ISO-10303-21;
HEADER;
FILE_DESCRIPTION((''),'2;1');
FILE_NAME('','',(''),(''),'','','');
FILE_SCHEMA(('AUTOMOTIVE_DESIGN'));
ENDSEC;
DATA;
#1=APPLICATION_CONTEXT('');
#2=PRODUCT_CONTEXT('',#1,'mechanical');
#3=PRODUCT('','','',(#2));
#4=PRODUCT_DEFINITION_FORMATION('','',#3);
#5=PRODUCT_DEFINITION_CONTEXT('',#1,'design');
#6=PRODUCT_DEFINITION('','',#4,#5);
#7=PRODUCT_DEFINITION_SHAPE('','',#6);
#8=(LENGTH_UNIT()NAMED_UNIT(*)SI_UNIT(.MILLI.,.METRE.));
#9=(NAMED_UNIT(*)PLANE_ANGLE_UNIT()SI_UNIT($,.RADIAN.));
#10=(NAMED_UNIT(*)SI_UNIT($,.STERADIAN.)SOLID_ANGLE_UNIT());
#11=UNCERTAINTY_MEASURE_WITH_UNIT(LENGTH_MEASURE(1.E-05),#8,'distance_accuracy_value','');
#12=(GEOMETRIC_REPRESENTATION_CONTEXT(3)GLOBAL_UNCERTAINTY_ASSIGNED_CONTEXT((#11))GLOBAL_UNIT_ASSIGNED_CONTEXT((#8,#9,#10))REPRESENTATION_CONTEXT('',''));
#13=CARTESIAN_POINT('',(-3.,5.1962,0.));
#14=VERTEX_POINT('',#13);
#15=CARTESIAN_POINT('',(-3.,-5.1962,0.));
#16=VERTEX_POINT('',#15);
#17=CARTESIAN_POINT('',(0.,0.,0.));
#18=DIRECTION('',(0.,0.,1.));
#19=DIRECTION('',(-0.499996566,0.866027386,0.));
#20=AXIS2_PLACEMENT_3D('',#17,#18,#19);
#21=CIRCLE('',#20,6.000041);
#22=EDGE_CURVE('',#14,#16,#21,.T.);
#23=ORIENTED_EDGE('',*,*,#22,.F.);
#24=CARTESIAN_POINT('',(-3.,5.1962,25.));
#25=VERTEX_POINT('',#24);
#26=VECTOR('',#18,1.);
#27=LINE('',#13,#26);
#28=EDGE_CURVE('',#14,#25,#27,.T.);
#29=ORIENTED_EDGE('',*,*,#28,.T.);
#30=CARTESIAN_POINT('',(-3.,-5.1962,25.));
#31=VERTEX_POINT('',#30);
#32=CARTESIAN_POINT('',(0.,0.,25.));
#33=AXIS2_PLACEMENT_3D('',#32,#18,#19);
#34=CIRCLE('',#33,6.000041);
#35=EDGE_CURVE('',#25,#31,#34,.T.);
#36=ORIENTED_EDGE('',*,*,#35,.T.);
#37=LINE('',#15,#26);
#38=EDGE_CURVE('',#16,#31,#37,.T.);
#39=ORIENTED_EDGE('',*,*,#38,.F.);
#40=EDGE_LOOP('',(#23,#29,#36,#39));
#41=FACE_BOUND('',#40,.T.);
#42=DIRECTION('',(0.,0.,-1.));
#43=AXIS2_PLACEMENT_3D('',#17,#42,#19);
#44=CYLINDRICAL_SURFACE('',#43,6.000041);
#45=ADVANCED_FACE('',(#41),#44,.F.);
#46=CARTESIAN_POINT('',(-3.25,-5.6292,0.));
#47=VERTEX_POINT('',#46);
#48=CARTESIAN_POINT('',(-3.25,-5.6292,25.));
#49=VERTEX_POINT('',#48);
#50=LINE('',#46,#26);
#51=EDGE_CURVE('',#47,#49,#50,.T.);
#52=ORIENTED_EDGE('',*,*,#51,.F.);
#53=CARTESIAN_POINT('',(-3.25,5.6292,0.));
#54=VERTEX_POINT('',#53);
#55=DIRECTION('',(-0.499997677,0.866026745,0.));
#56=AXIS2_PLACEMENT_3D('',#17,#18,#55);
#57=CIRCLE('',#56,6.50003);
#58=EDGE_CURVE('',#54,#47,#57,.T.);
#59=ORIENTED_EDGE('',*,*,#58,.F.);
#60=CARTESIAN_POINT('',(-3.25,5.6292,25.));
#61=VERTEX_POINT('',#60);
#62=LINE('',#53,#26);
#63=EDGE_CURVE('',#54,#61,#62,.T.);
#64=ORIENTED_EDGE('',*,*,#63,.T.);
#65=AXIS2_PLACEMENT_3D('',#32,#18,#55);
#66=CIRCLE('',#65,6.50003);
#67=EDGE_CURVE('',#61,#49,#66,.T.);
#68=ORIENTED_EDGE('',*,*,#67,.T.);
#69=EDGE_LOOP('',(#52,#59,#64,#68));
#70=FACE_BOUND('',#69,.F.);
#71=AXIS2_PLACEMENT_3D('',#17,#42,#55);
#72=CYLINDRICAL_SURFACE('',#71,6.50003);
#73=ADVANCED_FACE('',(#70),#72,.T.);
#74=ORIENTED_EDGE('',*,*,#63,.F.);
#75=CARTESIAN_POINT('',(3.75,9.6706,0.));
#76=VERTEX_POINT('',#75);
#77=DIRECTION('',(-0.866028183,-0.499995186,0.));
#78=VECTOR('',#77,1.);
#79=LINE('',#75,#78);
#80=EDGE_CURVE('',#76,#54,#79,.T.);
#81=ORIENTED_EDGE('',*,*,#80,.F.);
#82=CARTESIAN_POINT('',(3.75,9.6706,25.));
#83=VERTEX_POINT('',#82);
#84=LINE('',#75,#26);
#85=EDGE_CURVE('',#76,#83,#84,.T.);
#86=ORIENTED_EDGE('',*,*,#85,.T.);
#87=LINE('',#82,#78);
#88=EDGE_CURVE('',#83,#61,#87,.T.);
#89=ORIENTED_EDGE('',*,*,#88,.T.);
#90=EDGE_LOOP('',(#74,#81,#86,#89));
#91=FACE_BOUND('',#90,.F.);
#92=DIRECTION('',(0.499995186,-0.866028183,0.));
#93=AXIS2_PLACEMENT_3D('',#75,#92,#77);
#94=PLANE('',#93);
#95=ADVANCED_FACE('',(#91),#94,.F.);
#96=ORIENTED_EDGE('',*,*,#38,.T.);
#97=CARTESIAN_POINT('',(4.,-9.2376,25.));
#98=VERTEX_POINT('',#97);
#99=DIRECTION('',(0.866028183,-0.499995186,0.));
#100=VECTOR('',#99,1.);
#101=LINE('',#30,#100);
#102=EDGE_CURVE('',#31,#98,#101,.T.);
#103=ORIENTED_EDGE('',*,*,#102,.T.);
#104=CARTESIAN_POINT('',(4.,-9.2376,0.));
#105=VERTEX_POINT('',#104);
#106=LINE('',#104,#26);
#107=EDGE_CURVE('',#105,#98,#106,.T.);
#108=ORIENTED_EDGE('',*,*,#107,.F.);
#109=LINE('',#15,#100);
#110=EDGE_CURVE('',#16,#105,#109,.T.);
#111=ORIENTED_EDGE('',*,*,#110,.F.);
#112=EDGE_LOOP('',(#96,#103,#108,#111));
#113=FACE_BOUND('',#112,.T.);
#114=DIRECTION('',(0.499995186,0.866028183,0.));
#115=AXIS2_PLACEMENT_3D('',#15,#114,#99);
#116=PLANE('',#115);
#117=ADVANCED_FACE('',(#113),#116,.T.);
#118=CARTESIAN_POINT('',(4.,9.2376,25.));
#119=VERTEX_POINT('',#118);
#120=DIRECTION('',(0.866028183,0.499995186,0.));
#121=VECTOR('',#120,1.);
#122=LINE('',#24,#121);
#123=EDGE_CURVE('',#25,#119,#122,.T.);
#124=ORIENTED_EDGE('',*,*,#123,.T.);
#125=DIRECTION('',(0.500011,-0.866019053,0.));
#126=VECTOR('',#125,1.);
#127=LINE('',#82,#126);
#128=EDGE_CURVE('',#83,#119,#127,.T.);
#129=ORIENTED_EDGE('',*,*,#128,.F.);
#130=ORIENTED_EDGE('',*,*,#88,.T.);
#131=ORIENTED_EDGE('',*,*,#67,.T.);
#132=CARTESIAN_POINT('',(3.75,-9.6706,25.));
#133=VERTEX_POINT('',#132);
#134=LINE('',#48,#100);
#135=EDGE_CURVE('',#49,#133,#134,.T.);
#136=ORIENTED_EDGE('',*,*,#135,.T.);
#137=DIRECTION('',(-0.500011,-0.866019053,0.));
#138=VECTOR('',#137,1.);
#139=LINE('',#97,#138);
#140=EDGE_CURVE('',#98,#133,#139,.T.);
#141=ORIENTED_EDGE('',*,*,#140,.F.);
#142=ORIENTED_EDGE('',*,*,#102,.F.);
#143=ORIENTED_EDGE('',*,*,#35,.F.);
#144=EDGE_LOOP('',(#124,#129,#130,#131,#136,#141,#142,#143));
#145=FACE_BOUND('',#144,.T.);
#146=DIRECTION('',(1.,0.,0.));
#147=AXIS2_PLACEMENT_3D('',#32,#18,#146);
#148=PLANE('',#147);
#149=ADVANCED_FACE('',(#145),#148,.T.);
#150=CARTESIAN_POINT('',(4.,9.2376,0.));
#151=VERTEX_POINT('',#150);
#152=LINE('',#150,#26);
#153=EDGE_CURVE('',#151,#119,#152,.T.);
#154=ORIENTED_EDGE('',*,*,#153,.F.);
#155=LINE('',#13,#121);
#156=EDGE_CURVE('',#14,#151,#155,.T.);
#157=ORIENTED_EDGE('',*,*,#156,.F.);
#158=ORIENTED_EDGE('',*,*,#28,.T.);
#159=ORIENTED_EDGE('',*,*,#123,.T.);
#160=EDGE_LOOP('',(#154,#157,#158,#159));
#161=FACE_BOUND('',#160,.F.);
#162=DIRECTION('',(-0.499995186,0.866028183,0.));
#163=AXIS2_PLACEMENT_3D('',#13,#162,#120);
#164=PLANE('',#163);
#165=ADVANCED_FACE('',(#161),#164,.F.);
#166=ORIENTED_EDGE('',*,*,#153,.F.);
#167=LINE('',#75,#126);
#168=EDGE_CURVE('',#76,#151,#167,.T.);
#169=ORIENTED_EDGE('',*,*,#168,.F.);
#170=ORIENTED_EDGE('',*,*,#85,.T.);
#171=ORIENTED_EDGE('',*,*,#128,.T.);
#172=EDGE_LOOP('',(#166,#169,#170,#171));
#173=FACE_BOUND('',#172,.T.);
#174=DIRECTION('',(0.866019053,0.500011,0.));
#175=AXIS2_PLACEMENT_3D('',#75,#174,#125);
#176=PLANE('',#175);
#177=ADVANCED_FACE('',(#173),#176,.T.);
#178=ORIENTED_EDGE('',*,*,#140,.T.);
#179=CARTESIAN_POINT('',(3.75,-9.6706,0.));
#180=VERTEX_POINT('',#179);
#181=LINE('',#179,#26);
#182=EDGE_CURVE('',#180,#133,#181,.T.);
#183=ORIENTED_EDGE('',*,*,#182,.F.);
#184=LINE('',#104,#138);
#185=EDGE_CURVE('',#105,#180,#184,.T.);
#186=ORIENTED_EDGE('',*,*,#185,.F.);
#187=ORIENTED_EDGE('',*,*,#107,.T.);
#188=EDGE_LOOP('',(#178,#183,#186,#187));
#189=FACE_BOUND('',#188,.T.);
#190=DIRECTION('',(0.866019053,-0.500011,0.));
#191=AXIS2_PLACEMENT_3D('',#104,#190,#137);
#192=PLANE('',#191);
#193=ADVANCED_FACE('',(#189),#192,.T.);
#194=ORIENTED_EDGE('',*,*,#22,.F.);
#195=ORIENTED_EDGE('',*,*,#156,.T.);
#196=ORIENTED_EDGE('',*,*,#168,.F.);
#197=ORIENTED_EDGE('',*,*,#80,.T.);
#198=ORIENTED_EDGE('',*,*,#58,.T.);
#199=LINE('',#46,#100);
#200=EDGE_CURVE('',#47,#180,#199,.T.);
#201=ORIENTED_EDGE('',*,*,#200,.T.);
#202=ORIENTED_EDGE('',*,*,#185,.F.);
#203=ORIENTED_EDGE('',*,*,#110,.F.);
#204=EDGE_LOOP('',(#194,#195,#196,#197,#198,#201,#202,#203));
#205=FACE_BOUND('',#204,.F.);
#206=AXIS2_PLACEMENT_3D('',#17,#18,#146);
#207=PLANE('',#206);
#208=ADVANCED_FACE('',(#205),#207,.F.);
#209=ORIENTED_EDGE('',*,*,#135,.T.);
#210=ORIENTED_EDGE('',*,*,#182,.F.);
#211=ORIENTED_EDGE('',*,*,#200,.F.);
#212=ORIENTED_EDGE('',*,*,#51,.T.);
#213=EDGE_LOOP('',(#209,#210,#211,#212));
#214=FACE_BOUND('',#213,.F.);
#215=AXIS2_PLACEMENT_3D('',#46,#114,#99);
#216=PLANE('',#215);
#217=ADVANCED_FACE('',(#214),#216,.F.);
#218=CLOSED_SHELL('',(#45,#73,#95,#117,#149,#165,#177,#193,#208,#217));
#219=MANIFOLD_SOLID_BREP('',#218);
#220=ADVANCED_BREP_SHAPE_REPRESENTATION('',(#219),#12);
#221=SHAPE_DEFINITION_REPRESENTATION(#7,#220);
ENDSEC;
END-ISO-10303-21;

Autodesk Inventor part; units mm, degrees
ref_plane "YZ Plane" through (0, 0, 0) normal (1, 0, 0) x (0, 1, 0)
ref_plane "XZ Plane" through (0, 0, 0) normal (0, 1, 0) x (-1, 0, 0)
ref_plane "XY Plane" through (0, 0, 0) normal (0, 0, 1) x (1, 0, 0)
sketch "Sketch1" plane through (0, 0, 0) normal (0, 0, 1) x (1, 0, 0)
  arc A0 (-3, 5.1962) -> (-3, -5.1962) centre (0, 0) ccw
  line L0 (-3, 5.1962) -> (4, 9.2376)
  line L1 (-3, -5.1962) -> (4, -9.2376)
  line L2 (0, 0) -> (4, 0)
  line L3 (3.75, 9.6706) -> (-3.25, 5.6292)
  arc A1 (-3.25, 5.6292) -> (-3.25, -5.6292) centre (0, 0) ccw
  line L4 (-3.25, -5.6292) -> (3.75, -9.6706)
  line L5 (3.75, 9.6706) -> (4, 9.2376)
  line L6 (4, -9.2376) -> (3.75, -9.6706)
  dimension "d0" = 12
  dimension "d1" = 4
  dimension "d2" = 60
  dimension "d3" = 0.5
extrude "Extrusion1" add sketch "Sketch1" along normal blind 25
properties part number "preanode-screen" material "Stainless Steel"
